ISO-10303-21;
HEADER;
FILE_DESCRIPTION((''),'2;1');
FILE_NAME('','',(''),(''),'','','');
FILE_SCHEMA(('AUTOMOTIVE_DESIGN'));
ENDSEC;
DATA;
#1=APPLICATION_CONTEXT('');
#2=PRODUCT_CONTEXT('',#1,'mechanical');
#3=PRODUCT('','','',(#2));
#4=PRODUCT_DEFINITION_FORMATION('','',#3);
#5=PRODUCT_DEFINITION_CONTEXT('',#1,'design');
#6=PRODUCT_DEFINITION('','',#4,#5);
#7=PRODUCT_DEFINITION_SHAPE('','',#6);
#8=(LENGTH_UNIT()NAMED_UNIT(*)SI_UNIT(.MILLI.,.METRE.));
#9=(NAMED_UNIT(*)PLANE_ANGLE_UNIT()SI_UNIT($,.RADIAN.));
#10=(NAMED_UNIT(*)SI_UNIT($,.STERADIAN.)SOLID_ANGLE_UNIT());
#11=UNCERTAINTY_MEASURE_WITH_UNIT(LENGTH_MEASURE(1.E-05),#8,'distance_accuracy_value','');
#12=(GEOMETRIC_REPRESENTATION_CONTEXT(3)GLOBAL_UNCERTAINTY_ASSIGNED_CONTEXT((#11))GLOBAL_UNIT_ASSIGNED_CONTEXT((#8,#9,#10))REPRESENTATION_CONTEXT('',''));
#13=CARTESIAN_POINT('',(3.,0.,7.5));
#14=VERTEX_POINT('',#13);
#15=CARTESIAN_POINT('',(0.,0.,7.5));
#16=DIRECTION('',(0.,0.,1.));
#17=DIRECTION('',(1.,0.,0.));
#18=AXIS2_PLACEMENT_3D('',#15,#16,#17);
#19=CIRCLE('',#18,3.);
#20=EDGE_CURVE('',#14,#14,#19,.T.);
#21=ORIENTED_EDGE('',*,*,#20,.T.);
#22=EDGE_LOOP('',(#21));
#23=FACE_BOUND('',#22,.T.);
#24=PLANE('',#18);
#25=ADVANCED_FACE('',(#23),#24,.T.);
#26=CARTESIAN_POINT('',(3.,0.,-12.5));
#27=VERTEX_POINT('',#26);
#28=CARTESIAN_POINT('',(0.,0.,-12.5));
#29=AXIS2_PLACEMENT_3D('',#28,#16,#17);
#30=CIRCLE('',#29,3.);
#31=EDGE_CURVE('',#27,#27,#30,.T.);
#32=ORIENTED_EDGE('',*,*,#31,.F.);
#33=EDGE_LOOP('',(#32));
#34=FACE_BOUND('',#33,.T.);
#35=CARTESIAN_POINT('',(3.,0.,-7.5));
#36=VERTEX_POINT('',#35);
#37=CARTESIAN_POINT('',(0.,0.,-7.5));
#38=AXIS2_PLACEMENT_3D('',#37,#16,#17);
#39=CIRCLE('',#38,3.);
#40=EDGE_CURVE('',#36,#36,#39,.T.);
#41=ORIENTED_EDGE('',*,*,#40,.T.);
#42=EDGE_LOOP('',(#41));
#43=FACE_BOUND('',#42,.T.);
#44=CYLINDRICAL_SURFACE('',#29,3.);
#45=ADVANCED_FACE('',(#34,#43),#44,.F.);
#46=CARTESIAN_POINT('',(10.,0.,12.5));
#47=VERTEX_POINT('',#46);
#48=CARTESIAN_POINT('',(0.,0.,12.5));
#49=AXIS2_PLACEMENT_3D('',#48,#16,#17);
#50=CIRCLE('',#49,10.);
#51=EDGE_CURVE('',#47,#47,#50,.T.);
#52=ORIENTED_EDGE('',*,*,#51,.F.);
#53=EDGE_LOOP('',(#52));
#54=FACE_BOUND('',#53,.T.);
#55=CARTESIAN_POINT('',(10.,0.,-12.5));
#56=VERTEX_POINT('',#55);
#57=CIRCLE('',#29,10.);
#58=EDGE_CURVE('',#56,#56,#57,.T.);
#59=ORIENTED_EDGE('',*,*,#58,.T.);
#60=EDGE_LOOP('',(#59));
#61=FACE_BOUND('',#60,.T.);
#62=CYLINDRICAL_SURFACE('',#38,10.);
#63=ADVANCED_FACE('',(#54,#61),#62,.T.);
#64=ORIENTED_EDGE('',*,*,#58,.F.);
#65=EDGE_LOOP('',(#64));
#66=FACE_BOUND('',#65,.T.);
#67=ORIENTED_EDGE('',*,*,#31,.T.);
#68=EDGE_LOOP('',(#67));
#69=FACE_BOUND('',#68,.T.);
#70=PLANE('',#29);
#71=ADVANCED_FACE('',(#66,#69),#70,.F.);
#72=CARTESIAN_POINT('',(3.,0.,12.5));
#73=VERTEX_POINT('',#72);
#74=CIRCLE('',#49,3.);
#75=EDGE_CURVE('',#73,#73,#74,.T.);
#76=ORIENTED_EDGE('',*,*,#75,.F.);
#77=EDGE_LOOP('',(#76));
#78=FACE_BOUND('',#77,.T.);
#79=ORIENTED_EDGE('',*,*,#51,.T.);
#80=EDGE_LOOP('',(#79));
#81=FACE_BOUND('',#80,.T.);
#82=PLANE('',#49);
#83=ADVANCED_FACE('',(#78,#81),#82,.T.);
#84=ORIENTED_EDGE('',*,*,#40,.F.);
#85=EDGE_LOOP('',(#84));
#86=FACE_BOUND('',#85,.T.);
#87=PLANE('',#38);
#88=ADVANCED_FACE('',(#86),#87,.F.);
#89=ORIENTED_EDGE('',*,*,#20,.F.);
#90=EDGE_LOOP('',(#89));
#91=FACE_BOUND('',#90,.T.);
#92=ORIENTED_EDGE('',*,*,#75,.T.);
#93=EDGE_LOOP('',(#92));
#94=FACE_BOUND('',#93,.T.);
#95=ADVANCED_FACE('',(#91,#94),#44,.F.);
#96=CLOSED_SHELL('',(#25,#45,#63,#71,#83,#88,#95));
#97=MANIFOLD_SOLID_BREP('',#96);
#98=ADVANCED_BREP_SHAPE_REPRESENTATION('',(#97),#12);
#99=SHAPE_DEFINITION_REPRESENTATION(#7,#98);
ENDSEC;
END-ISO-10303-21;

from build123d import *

# Parameters (mm, degrees)
BOSS_EXTRUDE1_DEPTH      = 7.5
BOSS_EXTRUDE1_DEPTH_BACK = 7.5
SKETCH1_R                = 10
BOSS_EXTRUDE2_DEPTH      = 12.5
BOSS_EXTRUDE2_DEPTH_BACK = 12.5
SKETCH1_2_R              = 10
SKETCH1_2_R_2            = 3


with BuildPart() as part:
    # Sketch1 → Boss-Extrude1 (new, two sides: drawn at the far end of the back side and taken through both)
    with BuildSketch(Plane.XY.offset(-BOSS_EXTRUDE1_DEPTH_BACK)):
        Circle(SKETCH1_R)
    extrude(amount=BOSS_EXTRUDE1_DEPTH + BOSS_EXTRUDE1_DEPTH_BACK)

    # Sketch1<2> → Boss-Extrude2 (add, two sides: drawn at the far end of the back side and taken through both)
    with BuildSketch(Plane.XY.offset(-BOSS_EXTRUDE2_DEPTH_BACK)):
        Circle(SKETCH1_2_R)
        Circle(SKETCH1_2_R_2, mode=Mode.SUBTRACT)
    extrude(amount=BOSS_EXTRUDE2_DEPTH + BOSS_EXTRUDE2_DEPTH_BACK)


solid = part.part
